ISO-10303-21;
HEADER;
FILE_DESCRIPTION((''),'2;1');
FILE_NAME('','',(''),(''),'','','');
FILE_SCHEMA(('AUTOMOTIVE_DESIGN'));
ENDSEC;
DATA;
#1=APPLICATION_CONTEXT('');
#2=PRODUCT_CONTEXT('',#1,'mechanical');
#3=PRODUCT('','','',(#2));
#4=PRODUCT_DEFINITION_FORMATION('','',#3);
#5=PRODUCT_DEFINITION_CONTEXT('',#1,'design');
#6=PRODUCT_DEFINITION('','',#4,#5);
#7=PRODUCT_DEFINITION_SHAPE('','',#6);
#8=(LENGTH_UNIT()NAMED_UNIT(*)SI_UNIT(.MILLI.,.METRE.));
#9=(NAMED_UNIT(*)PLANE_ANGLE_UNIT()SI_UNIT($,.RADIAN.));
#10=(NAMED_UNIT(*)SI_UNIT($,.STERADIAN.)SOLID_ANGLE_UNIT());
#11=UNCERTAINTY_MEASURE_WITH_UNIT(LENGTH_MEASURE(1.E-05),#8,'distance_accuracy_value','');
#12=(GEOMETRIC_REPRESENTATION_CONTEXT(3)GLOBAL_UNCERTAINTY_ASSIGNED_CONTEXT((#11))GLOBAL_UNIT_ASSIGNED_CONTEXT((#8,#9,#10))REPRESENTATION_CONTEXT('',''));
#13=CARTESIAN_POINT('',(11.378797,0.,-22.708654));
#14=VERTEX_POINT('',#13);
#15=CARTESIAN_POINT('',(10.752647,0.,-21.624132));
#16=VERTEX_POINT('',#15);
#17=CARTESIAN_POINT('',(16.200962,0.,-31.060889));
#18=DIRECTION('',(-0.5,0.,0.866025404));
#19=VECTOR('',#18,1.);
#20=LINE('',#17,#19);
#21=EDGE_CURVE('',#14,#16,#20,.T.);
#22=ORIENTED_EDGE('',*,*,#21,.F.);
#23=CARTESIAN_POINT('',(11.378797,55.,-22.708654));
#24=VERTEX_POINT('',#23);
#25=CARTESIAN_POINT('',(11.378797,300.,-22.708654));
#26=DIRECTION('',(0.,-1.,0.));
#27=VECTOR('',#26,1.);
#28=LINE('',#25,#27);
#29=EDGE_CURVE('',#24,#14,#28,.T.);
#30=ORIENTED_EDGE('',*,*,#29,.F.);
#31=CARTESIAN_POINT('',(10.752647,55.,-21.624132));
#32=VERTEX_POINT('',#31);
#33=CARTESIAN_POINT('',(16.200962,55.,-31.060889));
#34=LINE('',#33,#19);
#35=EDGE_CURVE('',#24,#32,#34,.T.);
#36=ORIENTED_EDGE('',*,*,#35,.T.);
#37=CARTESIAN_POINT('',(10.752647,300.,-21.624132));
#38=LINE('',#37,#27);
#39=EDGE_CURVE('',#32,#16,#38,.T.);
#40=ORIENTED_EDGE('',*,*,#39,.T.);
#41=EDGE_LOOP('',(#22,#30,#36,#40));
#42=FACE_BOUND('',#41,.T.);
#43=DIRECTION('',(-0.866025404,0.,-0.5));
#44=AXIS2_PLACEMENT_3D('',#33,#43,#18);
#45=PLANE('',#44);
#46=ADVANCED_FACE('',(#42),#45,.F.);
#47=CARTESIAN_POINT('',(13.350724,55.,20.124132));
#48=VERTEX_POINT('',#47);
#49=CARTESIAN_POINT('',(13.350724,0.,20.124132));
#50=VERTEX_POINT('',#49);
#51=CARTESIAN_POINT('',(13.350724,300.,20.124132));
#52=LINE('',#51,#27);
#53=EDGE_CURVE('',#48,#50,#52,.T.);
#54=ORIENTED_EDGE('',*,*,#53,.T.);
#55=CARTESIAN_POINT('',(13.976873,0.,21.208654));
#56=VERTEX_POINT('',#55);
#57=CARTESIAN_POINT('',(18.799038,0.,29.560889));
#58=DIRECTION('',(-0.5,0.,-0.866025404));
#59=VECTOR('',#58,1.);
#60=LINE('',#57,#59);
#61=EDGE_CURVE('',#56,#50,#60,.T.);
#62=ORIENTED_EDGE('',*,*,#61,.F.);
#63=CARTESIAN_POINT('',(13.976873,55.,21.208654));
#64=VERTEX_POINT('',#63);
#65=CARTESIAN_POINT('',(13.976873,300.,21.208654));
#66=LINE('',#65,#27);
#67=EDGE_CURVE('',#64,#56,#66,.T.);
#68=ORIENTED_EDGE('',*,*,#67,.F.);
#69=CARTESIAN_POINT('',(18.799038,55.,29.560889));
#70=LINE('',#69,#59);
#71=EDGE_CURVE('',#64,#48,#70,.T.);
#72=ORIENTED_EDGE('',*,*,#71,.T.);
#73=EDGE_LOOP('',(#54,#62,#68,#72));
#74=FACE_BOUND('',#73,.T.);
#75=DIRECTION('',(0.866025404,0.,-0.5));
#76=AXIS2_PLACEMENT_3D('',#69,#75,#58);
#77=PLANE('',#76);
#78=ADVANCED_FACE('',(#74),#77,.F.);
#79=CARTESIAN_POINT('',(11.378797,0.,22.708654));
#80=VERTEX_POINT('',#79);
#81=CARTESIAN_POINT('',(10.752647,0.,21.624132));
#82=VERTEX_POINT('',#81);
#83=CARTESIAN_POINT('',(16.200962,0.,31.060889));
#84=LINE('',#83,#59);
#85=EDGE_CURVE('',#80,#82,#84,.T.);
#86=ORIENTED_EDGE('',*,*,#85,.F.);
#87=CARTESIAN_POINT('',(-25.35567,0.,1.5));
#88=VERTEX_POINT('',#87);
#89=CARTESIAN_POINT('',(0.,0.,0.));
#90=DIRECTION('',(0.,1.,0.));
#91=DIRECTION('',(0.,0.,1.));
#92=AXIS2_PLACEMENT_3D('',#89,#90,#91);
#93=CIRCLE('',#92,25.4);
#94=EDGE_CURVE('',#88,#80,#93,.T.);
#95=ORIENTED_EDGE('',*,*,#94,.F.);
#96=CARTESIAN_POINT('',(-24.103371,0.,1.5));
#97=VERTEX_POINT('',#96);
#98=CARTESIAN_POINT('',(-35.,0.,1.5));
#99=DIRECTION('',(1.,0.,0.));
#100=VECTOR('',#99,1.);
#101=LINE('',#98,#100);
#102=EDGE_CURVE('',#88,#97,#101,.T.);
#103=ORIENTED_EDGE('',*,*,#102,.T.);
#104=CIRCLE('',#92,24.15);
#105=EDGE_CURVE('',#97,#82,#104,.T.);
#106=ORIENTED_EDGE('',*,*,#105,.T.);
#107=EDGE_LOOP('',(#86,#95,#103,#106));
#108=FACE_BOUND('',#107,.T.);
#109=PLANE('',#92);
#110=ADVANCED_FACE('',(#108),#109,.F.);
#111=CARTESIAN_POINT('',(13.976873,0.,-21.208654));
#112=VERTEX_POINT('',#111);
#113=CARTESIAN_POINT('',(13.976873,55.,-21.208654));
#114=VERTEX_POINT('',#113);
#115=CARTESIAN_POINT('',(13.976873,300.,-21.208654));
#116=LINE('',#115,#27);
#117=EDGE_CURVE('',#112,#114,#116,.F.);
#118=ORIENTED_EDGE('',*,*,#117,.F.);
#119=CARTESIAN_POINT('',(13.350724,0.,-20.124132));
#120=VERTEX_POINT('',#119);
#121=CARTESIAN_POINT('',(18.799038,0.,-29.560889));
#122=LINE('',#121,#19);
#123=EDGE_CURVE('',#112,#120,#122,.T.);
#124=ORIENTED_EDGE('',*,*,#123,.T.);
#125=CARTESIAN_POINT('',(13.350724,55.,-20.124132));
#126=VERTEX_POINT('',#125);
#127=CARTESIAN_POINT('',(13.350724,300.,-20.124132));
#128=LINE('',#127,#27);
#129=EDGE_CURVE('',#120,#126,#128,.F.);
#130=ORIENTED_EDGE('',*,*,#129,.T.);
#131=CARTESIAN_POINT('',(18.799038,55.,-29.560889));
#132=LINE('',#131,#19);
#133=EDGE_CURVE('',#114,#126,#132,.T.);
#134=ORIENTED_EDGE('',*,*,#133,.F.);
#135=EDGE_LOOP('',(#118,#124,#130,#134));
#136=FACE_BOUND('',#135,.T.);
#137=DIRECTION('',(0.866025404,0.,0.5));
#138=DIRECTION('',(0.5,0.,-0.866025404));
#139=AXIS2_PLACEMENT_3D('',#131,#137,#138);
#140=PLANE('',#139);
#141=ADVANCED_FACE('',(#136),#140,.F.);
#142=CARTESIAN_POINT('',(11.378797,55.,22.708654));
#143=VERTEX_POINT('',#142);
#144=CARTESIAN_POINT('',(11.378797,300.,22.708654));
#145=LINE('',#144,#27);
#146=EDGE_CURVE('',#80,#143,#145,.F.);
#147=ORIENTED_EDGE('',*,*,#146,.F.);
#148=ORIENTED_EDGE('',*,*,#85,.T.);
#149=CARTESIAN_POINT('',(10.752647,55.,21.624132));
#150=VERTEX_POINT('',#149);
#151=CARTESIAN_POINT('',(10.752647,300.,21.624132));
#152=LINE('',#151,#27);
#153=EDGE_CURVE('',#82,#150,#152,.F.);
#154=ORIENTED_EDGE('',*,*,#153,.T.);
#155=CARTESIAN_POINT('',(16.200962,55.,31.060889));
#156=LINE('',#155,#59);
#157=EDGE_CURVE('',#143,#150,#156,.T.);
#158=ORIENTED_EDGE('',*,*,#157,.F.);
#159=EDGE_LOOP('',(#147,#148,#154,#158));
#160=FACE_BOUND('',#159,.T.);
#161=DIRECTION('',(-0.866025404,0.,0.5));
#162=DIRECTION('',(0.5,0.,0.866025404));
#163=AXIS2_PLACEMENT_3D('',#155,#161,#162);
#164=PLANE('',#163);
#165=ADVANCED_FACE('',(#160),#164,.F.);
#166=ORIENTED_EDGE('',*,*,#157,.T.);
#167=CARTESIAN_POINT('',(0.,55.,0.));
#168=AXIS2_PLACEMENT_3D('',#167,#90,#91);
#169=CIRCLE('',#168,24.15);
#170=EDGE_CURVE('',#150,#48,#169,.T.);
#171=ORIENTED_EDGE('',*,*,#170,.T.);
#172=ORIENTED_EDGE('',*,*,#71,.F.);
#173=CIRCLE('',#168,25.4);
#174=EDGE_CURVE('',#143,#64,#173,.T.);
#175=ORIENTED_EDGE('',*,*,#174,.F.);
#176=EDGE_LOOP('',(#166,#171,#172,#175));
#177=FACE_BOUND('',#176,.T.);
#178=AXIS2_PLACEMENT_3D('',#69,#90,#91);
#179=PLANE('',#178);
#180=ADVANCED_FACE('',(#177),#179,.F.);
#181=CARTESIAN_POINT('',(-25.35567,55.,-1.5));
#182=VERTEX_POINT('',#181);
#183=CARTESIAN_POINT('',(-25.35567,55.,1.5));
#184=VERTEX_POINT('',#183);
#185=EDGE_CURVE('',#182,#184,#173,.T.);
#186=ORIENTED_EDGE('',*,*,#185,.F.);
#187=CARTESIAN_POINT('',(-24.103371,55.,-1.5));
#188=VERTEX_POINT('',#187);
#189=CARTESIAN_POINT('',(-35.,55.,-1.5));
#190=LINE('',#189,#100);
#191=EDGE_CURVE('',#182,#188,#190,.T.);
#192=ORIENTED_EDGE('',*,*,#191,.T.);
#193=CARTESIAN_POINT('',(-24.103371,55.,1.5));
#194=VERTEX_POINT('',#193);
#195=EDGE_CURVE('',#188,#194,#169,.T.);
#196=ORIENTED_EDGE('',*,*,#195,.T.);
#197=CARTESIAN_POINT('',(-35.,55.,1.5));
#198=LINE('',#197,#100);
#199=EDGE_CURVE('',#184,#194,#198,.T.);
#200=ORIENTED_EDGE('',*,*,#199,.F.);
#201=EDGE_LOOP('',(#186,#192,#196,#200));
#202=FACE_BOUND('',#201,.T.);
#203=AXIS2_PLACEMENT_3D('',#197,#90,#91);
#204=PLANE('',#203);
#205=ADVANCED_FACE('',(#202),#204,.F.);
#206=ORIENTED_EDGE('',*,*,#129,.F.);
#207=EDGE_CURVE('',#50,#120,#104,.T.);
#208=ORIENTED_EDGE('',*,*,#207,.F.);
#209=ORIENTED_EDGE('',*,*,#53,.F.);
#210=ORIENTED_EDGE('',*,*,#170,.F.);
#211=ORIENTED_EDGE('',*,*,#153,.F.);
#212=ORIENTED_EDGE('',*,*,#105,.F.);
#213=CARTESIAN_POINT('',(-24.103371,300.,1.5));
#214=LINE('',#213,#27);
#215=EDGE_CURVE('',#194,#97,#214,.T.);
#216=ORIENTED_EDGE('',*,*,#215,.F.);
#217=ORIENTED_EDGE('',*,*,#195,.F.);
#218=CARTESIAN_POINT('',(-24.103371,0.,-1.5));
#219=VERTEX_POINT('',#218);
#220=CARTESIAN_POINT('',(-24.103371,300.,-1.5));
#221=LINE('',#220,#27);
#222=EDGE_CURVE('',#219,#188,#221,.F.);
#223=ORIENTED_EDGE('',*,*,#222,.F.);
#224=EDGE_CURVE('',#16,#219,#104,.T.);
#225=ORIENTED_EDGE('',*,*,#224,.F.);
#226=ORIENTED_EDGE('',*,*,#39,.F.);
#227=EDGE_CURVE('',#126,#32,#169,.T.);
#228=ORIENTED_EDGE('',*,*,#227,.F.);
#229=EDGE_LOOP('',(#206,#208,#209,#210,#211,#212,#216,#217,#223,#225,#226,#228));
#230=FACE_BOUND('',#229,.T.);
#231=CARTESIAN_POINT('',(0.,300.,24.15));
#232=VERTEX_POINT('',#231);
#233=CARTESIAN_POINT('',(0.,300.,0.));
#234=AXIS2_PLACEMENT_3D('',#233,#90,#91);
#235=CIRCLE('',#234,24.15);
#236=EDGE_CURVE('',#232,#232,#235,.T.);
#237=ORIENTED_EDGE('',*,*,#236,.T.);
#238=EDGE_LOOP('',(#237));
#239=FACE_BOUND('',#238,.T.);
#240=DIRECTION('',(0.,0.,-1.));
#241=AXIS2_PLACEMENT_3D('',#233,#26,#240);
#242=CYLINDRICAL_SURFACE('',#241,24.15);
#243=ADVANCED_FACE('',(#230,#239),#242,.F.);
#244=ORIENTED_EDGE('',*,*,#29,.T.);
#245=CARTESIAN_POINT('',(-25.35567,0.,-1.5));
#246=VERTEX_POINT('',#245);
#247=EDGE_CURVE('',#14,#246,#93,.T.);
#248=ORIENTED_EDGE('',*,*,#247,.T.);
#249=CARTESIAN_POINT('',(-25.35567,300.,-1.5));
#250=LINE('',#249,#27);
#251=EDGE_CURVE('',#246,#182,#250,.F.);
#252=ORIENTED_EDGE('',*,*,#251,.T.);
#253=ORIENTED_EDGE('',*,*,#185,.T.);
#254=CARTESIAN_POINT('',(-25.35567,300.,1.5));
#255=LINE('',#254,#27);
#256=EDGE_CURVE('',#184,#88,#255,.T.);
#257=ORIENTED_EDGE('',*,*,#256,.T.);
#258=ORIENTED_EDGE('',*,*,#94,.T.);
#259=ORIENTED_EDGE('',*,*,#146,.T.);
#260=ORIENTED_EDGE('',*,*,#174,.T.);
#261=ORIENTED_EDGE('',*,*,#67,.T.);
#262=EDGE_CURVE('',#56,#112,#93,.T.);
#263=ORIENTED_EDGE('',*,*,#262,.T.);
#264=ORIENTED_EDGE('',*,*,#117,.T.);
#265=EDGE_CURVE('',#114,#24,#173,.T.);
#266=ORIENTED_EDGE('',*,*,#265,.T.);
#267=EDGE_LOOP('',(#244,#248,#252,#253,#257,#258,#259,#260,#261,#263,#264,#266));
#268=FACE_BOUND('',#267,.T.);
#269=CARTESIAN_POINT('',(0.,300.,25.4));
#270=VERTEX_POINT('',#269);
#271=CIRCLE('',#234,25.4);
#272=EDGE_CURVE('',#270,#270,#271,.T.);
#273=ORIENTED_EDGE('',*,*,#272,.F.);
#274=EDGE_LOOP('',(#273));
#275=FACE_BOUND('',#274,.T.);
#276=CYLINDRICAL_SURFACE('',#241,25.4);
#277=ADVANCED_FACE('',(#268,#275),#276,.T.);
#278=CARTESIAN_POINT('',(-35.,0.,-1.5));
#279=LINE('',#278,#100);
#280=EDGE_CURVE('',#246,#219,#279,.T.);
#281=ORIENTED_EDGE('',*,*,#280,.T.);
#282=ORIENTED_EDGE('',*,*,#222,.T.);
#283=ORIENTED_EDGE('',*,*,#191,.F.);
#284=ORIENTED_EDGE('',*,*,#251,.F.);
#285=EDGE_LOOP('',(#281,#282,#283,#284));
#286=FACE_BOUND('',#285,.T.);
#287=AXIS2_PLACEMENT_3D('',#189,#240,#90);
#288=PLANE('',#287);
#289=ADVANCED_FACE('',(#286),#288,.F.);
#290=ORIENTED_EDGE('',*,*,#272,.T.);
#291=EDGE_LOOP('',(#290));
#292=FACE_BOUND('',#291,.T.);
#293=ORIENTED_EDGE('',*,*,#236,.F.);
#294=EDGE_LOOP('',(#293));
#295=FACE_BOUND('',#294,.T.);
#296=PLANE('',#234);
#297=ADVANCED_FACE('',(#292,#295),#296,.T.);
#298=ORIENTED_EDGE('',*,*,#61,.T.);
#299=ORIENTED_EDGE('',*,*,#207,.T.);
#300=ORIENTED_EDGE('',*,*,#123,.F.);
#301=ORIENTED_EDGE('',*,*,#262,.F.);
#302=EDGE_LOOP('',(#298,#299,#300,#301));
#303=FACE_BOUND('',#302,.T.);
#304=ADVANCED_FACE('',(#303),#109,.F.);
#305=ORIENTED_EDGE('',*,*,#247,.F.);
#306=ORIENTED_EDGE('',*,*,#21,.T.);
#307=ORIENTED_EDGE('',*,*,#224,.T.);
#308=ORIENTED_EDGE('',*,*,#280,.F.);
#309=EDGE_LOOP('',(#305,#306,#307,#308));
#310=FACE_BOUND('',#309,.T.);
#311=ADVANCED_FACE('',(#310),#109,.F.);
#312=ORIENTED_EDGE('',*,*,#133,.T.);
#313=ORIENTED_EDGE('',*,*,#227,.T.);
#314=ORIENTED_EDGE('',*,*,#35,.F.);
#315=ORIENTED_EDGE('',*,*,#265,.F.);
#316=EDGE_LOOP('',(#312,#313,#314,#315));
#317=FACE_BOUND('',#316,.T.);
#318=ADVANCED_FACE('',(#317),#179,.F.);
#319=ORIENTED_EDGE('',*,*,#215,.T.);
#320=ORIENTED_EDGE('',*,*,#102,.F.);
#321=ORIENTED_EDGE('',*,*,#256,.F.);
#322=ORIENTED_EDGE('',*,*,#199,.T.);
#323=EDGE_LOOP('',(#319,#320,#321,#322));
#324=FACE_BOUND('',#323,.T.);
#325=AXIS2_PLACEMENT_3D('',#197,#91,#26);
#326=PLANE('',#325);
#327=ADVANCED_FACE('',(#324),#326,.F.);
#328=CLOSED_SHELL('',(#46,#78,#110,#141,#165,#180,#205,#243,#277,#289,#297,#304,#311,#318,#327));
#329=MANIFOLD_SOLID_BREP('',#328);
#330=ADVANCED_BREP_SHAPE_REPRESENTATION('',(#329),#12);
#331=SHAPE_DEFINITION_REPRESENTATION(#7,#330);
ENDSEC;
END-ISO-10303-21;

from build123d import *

# Parameters (mm, degrees)
SKETCH1_R           = 25.4
SKETCH1_R_2         = 24.15
BOSS_EXTRUDE1_DEPTH = 300
SKETCH2_W           = 3
SKETCH2_H           = 55
CUT_EXTRUDE1_DEPTH  = 35
CIRPATTERN1_COUNT   = 3


with BuildPart() as part:
    # Sketch1 → Boss-Extrude1 (new body)
    with BuildSketch(Plane(origin=(0, 0, 0), x_dir=(1, 0, 0), z_dir=(0, 1, 0))):
        with Locations(Location((0, 0, 0), (0, 0, 270))):
            Circle(SKETCH1_R)
        with Locations(Location((0, 0, 0), (0, 0, 270))):
            Circle(SKETCH1_R_2, mode=Mode.SUBTRACT)
    extrude(amount=BOSS_EXTRUDE1_DEPTH)

    # Sketch2 → Cut-Extrude1 (cut)
    with BuildSketch(Plane(origin=(0, 0, 0), x_dir=(0, 0, -1), z_dir=(1, 0, 0))):
        with Locations((0, 27.5)):
            Rectangle(SKETCH2_W, SKETCH2_H)
    cut_extrude1 = extrude(amount=-CUT_EXTRUDE1_DEPTH, mode=Mode.SUBTRACT)

    # CirPattern1: Cut-Extrude1 ×3 about axis
    cirpattern1_axis = Axis((0, 0, 0), (0, 1, 0))
    for i in range(1, CIRPATTERN1_COUNT):
        add(cut_extrude1.rotate(cirpattern1_axis, i * 360 / CIRPATTERN1_COUNT), mode=Mode.SUBTRACT)


solid = part.part
